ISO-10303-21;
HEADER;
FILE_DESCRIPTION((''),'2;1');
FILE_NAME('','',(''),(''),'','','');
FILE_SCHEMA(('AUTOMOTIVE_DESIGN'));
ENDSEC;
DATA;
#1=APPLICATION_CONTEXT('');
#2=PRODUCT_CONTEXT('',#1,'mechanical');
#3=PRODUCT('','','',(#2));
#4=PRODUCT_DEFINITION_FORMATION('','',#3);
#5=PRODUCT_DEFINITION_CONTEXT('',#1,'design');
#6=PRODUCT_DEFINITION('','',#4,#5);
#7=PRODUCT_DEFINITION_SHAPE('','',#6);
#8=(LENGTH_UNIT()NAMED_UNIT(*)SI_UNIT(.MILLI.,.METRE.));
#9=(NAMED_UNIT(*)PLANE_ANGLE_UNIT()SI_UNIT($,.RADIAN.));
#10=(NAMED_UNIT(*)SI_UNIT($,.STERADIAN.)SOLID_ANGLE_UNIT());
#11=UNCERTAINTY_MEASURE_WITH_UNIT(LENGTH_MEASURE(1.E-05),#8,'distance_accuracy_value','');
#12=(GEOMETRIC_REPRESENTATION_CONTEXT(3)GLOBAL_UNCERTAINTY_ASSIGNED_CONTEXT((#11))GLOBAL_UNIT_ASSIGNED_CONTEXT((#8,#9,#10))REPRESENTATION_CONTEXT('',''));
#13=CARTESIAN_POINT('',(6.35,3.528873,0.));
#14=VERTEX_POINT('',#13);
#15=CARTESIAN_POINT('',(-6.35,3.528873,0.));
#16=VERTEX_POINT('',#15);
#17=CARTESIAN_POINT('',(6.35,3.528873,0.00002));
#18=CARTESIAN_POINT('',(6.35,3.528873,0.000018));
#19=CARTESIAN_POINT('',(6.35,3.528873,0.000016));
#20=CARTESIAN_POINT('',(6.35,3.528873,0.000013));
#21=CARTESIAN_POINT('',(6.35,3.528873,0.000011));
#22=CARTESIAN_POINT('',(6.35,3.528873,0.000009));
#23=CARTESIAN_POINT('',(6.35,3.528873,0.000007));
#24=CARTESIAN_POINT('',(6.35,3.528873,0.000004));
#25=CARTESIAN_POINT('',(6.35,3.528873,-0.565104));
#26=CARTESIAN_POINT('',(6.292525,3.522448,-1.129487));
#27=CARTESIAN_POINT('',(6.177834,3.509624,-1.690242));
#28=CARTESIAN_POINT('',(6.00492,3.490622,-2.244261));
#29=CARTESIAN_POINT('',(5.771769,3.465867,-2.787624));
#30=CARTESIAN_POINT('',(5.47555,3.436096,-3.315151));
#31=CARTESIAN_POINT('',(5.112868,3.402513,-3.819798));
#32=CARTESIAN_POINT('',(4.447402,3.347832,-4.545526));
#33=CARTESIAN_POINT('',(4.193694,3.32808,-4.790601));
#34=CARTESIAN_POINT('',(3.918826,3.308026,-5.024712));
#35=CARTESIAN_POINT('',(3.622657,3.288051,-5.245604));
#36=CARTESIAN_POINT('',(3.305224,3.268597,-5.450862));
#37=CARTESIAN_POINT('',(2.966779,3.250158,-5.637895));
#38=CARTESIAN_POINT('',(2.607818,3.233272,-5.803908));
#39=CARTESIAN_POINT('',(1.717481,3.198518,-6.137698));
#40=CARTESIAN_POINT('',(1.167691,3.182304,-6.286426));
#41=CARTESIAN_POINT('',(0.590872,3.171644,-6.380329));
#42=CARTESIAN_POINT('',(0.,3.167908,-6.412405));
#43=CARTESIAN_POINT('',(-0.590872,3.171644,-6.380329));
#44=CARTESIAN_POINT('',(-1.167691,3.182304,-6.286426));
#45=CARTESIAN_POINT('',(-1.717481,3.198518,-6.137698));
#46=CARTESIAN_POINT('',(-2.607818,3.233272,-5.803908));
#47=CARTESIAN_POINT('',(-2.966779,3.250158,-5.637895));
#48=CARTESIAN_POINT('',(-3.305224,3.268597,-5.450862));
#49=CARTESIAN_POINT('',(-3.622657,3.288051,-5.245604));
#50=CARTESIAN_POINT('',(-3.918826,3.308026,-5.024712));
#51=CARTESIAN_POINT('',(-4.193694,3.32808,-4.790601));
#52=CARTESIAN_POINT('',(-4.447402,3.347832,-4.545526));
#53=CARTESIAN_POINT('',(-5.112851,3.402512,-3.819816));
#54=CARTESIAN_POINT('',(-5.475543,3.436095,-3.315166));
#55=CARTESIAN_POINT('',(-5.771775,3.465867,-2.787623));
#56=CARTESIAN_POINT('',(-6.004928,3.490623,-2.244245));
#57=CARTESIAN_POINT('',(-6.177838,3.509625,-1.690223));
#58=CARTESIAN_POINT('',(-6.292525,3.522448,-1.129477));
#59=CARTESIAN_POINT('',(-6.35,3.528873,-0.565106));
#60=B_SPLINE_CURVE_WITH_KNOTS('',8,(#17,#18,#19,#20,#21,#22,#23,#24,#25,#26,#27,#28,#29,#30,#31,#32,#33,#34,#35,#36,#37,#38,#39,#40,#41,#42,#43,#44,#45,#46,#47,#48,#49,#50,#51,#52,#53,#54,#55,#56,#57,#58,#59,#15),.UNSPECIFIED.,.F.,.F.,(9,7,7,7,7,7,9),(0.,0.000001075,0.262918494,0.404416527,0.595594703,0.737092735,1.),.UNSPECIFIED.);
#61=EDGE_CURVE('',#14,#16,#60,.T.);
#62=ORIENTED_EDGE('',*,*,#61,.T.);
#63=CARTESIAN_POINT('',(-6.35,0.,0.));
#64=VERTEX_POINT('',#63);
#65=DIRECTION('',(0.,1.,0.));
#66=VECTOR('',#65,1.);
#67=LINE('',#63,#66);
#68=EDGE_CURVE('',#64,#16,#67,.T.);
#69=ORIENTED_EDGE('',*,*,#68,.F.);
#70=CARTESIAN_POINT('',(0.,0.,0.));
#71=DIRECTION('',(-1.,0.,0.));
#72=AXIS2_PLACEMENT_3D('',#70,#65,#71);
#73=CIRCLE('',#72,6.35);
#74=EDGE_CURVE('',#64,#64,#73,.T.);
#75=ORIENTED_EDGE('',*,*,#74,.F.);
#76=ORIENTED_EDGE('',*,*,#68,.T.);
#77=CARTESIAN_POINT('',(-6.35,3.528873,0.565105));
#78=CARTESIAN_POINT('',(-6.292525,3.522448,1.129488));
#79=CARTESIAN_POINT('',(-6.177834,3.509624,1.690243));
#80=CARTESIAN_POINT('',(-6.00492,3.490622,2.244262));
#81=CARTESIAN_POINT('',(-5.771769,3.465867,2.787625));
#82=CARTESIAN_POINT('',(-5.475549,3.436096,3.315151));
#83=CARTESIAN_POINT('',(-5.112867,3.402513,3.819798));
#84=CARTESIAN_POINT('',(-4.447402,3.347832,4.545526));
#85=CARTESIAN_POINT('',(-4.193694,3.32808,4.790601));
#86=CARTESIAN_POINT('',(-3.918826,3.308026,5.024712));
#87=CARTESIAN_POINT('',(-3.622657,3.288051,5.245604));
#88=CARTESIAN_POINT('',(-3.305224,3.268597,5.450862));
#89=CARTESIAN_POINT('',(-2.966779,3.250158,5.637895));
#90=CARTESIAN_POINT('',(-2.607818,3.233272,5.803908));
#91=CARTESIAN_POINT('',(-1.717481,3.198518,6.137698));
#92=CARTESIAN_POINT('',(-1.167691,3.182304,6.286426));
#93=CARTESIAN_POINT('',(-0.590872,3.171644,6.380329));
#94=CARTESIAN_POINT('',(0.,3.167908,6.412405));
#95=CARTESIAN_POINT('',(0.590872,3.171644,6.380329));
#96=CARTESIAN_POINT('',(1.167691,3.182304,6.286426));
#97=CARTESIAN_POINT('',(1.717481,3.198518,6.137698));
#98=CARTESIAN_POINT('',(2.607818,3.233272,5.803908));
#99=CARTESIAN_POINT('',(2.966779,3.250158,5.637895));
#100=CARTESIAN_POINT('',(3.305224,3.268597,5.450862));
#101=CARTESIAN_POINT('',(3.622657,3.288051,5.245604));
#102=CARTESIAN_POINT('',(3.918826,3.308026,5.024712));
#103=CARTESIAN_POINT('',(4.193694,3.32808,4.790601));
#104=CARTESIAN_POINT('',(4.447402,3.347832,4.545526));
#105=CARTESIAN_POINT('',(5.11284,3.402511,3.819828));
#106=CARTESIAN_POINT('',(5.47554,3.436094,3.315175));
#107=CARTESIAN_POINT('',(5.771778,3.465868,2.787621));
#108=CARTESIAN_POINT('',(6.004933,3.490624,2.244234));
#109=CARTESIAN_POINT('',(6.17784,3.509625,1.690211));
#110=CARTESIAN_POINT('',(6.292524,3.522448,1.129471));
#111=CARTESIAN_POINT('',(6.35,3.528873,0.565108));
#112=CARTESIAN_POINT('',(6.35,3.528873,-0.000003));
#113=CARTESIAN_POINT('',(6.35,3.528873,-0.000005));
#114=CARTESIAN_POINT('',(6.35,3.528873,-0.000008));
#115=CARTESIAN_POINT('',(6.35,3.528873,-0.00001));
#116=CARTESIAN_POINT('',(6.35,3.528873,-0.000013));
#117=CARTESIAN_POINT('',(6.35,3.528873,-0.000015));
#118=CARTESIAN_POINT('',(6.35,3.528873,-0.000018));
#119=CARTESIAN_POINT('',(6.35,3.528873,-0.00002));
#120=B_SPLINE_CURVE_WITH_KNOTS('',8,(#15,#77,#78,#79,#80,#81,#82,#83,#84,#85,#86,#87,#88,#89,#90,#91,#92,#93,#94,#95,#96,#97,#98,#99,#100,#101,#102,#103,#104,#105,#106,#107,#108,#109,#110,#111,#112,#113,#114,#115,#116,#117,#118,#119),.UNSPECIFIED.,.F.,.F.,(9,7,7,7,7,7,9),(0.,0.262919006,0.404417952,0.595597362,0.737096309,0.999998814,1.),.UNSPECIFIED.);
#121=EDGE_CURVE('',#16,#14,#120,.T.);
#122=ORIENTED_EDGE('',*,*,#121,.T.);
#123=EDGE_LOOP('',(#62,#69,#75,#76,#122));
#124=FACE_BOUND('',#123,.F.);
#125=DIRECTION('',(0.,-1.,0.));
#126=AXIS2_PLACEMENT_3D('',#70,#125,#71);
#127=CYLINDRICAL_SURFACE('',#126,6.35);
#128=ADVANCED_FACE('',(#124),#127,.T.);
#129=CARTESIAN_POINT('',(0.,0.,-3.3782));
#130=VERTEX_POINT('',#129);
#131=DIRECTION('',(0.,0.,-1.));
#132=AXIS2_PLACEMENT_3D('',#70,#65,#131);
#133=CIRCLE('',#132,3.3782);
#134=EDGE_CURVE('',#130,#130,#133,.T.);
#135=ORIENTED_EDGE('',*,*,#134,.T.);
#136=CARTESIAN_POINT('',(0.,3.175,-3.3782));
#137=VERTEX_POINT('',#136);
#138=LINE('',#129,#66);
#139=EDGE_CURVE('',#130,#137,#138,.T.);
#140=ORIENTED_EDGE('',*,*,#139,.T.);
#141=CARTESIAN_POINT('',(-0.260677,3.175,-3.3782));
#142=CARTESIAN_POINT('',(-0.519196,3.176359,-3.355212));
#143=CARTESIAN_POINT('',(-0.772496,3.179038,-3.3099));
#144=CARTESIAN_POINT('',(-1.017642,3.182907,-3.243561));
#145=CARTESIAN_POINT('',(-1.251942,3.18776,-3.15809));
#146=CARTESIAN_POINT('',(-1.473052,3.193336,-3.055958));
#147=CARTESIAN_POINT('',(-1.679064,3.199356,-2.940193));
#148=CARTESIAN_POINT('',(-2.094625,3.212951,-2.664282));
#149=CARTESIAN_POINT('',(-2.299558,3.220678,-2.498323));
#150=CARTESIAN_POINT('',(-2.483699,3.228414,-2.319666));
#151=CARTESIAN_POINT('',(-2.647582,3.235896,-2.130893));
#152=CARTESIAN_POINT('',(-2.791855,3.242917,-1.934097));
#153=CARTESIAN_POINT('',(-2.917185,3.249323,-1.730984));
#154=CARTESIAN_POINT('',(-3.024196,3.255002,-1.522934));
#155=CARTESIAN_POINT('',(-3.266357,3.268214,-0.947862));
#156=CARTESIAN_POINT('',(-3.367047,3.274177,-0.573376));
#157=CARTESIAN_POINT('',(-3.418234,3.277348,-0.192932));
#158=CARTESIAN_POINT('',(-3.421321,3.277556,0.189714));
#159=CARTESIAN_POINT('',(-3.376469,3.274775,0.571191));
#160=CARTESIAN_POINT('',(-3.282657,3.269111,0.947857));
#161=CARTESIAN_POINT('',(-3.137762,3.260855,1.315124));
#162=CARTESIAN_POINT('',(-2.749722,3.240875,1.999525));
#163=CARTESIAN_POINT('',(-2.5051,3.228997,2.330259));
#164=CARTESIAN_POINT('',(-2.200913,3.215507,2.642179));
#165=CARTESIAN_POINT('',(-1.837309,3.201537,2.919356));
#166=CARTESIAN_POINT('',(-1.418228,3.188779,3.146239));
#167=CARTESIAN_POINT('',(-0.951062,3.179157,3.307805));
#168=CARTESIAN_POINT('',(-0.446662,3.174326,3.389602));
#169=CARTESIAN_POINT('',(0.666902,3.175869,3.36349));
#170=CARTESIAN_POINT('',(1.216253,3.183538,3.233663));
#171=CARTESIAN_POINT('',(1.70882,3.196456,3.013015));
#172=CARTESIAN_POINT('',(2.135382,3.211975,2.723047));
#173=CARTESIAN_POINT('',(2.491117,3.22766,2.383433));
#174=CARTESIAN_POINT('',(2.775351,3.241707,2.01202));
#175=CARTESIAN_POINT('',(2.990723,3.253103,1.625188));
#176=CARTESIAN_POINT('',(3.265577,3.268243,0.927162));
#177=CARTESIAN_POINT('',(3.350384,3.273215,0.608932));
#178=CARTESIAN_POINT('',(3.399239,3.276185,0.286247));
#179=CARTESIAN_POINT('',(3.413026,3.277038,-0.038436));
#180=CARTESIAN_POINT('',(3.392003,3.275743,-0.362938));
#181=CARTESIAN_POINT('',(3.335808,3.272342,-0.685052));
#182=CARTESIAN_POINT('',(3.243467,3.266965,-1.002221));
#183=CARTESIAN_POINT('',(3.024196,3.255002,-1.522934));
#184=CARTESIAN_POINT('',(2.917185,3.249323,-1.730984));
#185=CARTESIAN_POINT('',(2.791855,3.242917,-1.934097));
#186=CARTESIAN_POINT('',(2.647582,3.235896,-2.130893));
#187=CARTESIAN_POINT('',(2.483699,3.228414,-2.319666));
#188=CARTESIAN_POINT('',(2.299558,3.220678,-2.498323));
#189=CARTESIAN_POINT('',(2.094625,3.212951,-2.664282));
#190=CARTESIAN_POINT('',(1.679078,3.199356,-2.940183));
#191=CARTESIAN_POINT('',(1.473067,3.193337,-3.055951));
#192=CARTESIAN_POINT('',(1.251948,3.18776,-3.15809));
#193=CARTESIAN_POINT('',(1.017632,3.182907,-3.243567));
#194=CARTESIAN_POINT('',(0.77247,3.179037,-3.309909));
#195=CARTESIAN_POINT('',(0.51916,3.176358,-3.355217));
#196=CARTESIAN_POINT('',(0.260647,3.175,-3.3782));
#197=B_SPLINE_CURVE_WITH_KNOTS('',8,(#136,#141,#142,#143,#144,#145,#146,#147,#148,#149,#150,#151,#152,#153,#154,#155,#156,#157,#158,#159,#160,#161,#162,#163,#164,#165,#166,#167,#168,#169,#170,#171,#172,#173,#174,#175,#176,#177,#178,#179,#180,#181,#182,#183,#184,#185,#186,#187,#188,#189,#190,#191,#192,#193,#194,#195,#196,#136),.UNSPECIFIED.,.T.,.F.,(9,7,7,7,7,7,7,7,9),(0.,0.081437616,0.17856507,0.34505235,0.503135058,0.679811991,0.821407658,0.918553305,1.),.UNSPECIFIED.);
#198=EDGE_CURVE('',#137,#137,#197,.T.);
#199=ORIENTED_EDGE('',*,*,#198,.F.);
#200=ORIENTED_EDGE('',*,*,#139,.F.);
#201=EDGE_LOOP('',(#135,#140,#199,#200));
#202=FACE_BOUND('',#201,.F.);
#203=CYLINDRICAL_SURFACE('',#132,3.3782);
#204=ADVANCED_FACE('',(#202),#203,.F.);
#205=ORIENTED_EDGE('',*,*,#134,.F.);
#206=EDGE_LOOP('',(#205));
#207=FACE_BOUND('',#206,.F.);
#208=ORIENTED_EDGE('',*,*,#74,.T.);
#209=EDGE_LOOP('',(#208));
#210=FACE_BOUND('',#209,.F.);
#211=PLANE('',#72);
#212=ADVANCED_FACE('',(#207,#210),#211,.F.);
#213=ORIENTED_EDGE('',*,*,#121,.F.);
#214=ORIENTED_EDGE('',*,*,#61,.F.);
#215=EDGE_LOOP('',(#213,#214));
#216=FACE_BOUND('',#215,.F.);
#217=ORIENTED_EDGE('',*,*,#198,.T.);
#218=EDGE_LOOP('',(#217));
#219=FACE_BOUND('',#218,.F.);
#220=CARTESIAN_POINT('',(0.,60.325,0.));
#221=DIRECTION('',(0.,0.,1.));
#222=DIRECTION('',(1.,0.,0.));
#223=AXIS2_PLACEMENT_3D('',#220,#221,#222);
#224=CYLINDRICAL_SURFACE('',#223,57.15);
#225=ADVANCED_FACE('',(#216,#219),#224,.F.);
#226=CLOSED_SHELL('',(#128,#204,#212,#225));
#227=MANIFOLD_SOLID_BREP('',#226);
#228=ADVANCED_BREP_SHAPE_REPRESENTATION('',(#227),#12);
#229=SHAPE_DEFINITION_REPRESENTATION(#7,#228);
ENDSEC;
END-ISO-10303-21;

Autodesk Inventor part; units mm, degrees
ref_plane "YZ Plane" through (0, 0, 0) normal (1, 0, 0) x (0, 1, 0)
ref_plane "XZ Plane" through (0, 0, 0) normal (0, 1, 0) x (-1, 0, 0)
ref_plane "XY Plane" through (0, 0, 0) normal (0, 0, 1) x (1, 0, 0)
sketch "Sketch1" plane through (0, 0, 0) normal (0, 1, 0) x (-1, 0, 0)
  circle A0 centre (0, 0) radius 6.35
  dimension "d0" = 12.7
extrude "Extrusion1" add sketch "Sketch1" along normal blind 12.7
sketch "Sketch2" plane through (0, 0, 0) normal (0, 0, 1) x (1, 0, 0)
  circle A0 centre (0, 60.325) radius 57.15
  line L0 (-41.9347, 3.175) -> (51.5907, 3.175) construction
  point P0 (0, 0)
  dimension "d3" = 114.3
  dimension "d4" = 3.175
extrude "Extrusion2" cut sketch "Sketch2" along normal through all both and the other way through all
sketch "Sketch4" plane through (0, 0, 0) normal (0, -1, 0) x (1, 0, 0)
  point P0 (0, 0)
  point P1 (0, 0)
hole "Hole1" at (0, 0, 0) direction (0, 1, 0) diameter 6.7564 end through all clearance for "Socket Head Cap Screw" size "1/4" standard "Ansi Unified Screw Threads"
properties part number "Spacers" material "Aluminum 6061"
